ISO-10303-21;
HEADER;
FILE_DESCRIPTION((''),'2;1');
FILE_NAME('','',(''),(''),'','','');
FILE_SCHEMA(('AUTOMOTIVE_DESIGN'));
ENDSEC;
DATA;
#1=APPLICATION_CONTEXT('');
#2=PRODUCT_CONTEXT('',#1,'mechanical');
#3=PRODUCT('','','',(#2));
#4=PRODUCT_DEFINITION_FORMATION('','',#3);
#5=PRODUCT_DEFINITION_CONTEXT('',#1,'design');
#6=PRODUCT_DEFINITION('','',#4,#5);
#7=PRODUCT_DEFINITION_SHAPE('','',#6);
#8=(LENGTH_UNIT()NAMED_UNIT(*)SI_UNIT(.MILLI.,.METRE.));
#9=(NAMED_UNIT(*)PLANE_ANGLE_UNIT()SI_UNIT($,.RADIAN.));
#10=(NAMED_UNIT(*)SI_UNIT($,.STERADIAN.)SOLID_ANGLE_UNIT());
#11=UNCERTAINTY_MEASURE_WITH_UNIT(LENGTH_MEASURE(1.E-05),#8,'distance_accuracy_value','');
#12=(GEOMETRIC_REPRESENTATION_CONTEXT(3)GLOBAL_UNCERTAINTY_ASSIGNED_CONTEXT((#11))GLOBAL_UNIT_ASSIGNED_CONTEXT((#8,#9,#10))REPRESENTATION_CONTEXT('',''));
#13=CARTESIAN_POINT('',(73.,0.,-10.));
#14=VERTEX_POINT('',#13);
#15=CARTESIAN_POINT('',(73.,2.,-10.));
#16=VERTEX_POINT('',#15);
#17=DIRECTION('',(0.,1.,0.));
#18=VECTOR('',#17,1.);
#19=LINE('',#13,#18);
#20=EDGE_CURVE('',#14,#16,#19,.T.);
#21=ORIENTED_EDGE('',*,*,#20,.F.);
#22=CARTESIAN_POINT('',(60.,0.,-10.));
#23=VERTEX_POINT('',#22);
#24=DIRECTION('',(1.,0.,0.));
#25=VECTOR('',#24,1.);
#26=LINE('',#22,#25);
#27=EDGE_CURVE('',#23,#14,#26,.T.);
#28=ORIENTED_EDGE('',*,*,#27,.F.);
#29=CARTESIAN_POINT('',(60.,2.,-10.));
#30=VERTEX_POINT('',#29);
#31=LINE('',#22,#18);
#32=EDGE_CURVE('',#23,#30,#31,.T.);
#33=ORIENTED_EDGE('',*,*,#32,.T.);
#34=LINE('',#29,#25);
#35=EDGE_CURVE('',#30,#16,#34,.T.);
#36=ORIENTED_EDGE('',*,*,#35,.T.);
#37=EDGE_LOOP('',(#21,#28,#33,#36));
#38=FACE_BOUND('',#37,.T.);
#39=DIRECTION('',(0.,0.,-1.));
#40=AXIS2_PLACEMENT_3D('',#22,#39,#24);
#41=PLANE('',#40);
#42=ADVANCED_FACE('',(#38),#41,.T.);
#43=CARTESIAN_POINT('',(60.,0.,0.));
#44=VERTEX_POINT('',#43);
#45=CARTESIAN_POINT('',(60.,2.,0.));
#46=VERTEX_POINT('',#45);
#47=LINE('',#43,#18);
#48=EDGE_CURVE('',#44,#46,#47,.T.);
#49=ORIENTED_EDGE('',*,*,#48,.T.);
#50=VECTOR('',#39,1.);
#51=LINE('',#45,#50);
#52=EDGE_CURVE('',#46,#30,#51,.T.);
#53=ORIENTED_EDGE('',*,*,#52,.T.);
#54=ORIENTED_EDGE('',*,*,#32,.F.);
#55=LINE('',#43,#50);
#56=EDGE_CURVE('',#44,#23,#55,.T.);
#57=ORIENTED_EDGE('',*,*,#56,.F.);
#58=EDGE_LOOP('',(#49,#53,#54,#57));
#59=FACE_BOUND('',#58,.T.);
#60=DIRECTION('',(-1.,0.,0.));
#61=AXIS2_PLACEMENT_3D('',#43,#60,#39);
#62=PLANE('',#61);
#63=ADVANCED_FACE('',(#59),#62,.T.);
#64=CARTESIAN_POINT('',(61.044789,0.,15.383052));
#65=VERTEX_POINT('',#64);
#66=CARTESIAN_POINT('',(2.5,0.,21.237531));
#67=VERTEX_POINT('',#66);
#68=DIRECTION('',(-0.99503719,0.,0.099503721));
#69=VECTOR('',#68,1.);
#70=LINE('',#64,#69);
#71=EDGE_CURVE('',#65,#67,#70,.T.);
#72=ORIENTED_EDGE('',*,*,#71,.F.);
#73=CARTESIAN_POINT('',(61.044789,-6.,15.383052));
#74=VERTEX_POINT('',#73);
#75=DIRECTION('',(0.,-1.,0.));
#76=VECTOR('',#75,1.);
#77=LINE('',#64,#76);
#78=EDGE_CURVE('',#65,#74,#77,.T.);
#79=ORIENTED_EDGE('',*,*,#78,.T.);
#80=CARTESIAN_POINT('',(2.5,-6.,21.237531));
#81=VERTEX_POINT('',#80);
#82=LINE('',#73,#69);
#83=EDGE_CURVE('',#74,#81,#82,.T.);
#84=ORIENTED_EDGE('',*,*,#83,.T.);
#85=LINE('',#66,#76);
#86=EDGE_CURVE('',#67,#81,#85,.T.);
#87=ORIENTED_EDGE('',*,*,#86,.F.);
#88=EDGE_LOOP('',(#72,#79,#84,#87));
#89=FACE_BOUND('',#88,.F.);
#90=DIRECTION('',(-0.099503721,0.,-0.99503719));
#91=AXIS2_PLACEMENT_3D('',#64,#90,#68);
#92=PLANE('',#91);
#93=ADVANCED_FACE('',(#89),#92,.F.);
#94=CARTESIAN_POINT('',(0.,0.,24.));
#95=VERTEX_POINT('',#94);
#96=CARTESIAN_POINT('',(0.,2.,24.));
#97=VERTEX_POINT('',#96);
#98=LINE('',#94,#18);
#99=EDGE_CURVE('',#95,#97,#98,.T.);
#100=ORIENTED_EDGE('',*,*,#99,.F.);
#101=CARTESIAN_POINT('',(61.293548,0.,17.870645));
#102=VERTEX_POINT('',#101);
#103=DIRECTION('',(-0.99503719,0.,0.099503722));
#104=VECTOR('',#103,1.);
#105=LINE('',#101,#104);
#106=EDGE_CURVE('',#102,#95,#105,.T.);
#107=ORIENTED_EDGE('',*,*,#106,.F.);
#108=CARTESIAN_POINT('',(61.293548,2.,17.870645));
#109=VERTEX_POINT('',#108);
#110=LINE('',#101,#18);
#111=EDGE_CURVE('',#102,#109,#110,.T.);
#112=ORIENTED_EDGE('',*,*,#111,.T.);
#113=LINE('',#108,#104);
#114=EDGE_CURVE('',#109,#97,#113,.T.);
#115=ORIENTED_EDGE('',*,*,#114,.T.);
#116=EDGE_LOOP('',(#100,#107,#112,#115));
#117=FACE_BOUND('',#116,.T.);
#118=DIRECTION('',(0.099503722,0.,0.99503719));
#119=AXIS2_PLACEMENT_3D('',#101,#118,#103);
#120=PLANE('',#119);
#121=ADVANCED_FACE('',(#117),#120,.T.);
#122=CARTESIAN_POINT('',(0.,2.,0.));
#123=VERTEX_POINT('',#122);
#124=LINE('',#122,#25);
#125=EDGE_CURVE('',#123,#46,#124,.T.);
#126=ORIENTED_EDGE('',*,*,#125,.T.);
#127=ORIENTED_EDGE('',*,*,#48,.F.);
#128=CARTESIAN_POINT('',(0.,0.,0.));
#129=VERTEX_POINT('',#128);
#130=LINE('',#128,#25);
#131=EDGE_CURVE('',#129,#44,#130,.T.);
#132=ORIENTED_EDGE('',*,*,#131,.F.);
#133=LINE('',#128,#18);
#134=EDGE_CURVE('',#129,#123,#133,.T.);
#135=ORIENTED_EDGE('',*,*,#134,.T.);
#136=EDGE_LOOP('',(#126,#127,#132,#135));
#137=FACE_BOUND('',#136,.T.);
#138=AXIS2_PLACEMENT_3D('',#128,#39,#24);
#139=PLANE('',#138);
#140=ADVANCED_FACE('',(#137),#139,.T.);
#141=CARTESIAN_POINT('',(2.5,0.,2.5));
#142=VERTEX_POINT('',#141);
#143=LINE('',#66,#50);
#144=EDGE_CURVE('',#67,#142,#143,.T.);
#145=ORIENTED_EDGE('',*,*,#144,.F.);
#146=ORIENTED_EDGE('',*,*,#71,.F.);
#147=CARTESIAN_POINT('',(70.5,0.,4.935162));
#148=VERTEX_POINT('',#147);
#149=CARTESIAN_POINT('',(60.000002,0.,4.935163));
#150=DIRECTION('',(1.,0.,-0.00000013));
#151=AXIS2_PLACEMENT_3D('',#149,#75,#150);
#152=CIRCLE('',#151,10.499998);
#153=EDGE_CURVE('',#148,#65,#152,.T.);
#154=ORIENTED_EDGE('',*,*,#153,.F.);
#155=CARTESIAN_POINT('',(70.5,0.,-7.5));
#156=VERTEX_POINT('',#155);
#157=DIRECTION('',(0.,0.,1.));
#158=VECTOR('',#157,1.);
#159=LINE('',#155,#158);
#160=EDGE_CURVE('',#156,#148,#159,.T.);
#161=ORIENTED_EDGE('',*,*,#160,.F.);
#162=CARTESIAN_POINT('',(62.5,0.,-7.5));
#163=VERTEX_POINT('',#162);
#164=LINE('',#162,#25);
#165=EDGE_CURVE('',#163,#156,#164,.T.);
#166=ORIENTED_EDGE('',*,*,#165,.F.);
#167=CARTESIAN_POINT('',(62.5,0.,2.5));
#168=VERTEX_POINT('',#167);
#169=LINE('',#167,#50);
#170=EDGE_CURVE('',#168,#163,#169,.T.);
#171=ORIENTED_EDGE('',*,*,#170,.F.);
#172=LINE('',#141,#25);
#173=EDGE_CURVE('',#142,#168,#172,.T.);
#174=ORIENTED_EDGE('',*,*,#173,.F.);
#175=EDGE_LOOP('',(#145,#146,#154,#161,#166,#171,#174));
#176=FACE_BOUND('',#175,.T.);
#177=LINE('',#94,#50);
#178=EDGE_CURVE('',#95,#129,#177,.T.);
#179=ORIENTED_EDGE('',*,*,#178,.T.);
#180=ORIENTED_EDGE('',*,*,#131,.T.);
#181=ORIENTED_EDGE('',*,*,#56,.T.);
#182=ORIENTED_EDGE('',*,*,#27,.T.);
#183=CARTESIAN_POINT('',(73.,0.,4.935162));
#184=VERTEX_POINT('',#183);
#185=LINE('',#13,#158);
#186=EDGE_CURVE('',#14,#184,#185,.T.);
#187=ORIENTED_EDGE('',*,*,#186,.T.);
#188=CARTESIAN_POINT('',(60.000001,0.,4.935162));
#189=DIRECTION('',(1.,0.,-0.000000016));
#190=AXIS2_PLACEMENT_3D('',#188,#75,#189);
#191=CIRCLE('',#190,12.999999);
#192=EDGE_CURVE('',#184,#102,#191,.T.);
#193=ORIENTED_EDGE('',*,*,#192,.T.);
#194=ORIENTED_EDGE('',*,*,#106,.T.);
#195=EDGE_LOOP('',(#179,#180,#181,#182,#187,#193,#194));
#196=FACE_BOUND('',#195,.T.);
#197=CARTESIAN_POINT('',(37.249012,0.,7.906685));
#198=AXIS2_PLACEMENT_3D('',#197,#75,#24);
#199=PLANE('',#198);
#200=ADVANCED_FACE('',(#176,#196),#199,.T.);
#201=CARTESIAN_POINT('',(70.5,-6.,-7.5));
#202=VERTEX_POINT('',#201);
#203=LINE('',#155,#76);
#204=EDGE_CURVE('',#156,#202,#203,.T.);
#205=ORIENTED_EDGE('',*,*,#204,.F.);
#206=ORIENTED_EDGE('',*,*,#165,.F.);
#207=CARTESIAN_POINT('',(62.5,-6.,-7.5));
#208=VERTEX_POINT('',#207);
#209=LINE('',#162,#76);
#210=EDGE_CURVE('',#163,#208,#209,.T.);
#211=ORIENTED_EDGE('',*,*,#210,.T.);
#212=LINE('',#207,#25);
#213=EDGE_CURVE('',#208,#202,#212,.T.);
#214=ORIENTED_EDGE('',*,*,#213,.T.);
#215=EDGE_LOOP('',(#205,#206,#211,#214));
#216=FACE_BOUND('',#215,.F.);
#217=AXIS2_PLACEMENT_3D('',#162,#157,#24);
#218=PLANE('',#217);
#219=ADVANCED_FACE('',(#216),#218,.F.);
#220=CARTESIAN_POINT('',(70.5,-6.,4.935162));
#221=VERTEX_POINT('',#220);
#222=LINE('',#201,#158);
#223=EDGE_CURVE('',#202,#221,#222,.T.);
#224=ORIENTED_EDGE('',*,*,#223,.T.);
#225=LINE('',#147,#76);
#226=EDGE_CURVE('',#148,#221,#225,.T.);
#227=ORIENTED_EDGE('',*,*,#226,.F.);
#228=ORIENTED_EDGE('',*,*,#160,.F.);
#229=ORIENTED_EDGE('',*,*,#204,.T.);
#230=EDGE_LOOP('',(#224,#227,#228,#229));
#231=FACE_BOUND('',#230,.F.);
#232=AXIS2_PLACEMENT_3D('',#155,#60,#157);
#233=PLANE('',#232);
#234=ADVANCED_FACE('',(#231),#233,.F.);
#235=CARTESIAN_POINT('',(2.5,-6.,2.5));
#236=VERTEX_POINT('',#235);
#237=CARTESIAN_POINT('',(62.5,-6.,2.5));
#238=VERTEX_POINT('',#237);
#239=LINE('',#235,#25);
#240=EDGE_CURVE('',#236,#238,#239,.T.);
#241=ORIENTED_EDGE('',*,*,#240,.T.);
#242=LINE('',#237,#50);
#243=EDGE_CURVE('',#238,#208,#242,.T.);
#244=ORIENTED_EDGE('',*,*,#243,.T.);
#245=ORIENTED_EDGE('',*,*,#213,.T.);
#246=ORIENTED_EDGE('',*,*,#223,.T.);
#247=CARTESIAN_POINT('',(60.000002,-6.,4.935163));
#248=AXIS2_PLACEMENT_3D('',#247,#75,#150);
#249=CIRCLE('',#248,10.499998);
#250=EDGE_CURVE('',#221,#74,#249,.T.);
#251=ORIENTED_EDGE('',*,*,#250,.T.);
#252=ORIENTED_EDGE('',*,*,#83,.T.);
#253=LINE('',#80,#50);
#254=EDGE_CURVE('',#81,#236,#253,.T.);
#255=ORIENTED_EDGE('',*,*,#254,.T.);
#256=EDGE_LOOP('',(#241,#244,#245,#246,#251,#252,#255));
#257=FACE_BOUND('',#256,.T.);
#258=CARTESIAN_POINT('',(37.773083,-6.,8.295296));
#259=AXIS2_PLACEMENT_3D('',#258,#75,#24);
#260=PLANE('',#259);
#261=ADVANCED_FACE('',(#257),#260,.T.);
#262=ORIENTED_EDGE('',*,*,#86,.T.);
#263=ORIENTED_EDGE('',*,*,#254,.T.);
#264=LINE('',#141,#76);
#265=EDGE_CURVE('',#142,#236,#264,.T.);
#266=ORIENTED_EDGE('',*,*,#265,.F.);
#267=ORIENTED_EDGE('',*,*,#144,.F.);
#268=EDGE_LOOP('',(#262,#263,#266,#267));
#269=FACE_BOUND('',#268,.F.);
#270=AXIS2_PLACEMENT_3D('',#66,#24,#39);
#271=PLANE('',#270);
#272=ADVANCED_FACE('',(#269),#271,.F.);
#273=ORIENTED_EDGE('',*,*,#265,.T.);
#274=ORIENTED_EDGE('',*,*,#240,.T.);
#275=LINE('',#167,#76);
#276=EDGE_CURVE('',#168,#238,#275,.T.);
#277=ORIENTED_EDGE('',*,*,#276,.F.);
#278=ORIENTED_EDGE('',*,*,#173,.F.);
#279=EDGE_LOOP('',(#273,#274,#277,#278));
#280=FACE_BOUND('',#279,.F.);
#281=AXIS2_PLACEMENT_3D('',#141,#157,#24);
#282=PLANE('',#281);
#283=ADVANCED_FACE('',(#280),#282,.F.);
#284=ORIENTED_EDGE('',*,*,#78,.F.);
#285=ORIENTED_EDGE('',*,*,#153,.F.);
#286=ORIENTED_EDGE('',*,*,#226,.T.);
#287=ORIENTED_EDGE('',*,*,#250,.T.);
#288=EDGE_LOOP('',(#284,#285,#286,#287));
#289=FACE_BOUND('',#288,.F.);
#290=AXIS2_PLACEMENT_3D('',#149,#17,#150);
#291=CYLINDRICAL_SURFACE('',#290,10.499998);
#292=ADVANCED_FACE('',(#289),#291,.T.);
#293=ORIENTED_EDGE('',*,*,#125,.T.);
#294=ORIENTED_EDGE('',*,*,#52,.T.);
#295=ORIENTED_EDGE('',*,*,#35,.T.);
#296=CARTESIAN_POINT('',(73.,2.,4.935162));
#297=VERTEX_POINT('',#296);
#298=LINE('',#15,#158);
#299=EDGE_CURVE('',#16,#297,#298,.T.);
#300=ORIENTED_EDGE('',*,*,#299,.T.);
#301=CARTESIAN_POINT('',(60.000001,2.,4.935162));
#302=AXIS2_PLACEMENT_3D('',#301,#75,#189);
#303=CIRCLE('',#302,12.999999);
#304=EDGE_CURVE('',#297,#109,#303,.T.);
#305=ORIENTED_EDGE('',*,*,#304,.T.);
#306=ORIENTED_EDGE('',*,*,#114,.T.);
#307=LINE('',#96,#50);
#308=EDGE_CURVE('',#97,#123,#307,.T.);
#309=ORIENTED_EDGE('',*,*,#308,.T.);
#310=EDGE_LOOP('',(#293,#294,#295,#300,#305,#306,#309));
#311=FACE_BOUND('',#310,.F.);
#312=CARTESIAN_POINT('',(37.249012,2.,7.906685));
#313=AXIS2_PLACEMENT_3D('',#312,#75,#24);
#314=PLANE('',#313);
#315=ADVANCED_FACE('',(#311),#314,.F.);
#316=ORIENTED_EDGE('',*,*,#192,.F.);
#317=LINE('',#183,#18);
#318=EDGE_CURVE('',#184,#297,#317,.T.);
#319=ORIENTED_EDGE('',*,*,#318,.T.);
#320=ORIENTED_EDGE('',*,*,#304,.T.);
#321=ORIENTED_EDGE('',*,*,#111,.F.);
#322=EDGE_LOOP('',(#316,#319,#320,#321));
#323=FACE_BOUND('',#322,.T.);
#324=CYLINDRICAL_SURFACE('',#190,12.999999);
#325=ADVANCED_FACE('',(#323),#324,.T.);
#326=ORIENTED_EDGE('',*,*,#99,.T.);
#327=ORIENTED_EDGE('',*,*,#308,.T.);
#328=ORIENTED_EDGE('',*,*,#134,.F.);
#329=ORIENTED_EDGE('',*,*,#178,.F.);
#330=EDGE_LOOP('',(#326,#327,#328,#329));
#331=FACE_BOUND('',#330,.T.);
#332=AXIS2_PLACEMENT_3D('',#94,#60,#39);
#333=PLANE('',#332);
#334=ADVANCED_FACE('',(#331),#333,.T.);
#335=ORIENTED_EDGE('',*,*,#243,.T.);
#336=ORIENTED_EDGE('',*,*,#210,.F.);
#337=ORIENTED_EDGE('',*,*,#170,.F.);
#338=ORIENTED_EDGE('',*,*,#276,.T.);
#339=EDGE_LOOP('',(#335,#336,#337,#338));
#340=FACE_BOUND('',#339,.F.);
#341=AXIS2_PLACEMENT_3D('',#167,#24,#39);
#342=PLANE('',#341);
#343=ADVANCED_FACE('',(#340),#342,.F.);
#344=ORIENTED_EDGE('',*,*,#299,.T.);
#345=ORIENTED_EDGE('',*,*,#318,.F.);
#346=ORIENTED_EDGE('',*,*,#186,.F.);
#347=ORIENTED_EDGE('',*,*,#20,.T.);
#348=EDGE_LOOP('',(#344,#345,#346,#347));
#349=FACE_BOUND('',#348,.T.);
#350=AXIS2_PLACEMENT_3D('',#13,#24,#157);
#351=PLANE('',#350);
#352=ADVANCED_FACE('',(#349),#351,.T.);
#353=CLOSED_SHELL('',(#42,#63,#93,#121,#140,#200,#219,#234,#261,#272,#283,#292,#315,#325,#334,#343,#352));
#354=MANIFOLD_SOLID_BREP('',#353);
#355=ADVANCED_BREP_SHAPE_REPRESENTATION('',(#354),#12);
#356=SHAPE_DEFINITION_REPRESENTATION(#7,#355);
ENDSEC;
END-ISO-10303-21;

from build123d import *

# Parameters (mm, degrees)
F1_DEPTH = 2
F2_DEPTH = 6


with BuildPart() as f1:
    # F0 (on Front) → F1 (new body)
    with BuildSketch(Plane.XZ):
        with BuildLine():
            Line((0, 24), (0, 0))
            Line((0, 0), (60, 0))
            Line((60, 0), (60, -10))
            Line((60, -10), (73, -10))
            Line((73, -10), (73, 4.935162))
            ThreePointArc((73, 4.935162), (69.638883, 13.658231), (61.293548, 17.870645))
            Line((61.293548, 17.870645), (0, 24))
        make_face()
        with BuildLine():
            Line((62.5, 2.5), (2.5, 2.5))
            Line((2.5, 2.5), (2.5, 21.237531))
            Line((2.5, 21.237531), (61.044789, 15.383052))
            ThreePointArc((61.044789, 15.383052), (67.785252, 11.980718), (70.5, 4.935162))
            Line((70.5, 4.935162), (70.5, -7.5))
            Line((70.5, -7.5), (62.5, -7.5))
            Line((62.5, -7.5), (62.5, 2.5))
        make_face(mode=Mode.SUBTRACT)
        with BuildLine():
            Line((2.5, 21.237531), (2.5, 2.5))
            Line((2.5, 2.5), (62.5, 2.5))
            Line((62.5, 2.5), (62.5, -7.5))
            Line((62.5, -7.5), (70.5, -7.5))
            Line((70.5, -7.5), (70.5, 4.935162))
            ThreePointArc((70.5, 4.935162), (67.785252, 11.980718), (61.044789, 15.383052))
            Line((61.044789, 15.383052), (2.5, 21.237531))
        make_face()
    extrude(amount=-F1_DEPTH)

    # F0 (on Front) → F2 (join)
    with BuildSketch(Plane.XZ):
        with BuildLine():
            Line((2.5, 21.237531), (2.5, 2.5))
            Line((2.5, 2.5), (62.5, 2.5))
            Line((62.5, 2.5), (62.5, -7.5))
            Line((62.5, -7.5), (70.5, -7.5))
            Line((70.5, -7.5), (70.5, 4.935162))
            ThreePointArc((70.5, 4.935162), (67.785252, 11.980718), (61.044789, 15.383052))
            Line((61.044789, 15.383052), (2.5, 21.237531))
        make_face()
    extrude(amount=F2_DEPTH)


solid = f1.part
